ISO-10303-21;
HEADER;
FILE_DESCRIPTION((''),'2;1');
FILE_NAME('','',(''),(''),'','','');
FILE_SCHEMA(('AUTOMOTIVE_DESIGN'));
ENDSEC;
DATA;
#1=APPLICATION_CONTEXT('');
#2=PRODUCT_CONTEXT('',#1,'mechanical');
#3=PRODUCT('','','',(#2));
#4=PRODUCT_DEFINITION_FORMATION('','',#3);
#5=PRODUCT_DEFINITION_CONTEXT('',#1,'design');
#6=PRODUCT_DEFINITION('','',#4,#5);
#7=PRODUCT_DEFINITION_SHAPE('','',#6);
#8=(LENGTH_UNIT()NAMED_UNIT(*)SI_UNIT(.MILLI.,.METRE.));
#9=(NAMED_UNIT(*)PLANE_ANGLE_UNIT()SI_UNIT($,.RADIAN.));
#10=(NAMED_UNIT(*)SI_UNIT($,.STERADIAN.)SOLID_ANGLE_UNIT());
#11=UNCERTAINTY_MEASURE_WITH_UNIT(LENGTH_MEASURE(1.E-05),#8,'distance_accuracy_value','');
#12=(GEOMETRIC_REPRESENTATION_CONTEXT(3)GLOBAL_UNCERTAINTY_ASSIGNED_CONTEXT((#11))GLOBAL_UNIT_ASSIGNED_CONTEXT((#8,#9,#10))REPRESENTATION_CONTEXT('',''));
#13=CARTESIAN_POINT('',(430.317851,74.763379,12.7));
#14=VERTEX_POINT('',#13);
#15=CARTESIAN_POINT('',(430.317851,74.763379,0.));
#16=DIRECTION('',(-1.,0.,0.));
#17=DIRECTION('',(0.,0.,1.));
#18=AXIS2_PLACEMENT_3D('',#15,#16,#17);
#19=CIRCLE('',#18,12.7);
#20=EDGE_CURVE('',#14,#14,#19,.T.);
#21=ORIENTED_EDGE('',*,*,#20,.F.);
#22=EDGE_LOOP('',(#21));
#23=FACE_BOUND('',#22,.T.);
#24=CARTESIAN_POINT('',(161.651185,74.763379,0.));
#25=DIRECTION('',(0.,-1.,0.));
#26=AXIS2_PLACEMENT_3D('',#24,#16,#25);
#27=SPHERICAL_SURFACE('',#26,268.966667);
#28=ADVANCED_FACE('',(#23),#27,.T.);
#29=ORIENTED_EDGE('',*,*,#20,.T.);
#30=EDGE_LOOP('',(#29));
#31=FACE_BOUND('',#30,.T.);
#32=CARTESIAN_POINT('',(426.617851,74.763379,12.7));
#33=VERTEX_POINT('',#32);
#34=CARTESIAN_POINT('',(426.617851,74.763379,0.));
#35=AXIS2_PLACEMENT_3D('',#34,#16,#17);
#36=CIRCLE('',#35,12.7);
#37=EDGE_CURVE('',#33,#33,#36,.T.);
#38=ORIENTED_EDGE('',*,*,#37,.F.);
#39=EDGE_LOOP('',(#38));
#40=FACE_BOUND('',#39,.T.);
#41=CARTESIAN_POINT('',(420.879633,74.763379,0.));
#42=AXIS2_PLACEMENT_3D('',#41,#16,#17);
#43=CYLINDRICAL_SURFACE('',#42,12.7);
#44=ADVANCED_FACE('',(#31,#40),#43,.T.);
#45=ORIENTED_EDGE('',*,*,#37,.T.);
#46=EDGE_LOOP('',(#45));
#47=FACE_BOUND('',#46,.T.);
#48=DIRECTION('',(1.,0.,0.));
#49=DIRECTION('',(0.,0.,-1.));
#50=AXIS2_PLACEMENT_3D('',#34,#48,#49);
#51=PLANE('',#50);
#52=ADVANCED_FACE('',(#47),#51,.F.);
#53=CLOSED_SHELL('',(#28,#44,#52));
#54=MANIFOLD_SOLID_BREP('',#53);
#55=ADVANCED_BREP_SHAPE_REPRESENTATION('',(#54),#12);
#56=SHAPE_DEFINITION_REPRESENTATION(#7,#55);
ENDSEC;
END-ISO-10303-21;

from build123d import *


with BuildPart() as part:
    # 草图1 → 旋转1 (revolve)
    with BuildSketch(Plane.XY, mode=Mode.PRIVATE) as revolve_1_sk:
        with BuildLine():
            Line((426.617851371, 74.763379419), (426.617851371, 87.463379419))
            Line((426.617851371, 87.463379419), (430.317851371, 87.463379419))
            ThreePointArc((430.317851371, 87.463379419), (430.542840912, 81.115150825), (430.617851371, 74.763379419))
            Line((430.617851371, 74.763379419), (426.617851371, 74.763379419))
        make_face()
    revolve(revolve_1_sk.sketch.rotate(Axis((420.879633336, 74.763379419, 0), (1, 0, 0)), 180), axis=Axis((420.879633336, 74.763379419, 0), (1, 0, 0)))  # turned: the seam where the file's is


solid = part.part
